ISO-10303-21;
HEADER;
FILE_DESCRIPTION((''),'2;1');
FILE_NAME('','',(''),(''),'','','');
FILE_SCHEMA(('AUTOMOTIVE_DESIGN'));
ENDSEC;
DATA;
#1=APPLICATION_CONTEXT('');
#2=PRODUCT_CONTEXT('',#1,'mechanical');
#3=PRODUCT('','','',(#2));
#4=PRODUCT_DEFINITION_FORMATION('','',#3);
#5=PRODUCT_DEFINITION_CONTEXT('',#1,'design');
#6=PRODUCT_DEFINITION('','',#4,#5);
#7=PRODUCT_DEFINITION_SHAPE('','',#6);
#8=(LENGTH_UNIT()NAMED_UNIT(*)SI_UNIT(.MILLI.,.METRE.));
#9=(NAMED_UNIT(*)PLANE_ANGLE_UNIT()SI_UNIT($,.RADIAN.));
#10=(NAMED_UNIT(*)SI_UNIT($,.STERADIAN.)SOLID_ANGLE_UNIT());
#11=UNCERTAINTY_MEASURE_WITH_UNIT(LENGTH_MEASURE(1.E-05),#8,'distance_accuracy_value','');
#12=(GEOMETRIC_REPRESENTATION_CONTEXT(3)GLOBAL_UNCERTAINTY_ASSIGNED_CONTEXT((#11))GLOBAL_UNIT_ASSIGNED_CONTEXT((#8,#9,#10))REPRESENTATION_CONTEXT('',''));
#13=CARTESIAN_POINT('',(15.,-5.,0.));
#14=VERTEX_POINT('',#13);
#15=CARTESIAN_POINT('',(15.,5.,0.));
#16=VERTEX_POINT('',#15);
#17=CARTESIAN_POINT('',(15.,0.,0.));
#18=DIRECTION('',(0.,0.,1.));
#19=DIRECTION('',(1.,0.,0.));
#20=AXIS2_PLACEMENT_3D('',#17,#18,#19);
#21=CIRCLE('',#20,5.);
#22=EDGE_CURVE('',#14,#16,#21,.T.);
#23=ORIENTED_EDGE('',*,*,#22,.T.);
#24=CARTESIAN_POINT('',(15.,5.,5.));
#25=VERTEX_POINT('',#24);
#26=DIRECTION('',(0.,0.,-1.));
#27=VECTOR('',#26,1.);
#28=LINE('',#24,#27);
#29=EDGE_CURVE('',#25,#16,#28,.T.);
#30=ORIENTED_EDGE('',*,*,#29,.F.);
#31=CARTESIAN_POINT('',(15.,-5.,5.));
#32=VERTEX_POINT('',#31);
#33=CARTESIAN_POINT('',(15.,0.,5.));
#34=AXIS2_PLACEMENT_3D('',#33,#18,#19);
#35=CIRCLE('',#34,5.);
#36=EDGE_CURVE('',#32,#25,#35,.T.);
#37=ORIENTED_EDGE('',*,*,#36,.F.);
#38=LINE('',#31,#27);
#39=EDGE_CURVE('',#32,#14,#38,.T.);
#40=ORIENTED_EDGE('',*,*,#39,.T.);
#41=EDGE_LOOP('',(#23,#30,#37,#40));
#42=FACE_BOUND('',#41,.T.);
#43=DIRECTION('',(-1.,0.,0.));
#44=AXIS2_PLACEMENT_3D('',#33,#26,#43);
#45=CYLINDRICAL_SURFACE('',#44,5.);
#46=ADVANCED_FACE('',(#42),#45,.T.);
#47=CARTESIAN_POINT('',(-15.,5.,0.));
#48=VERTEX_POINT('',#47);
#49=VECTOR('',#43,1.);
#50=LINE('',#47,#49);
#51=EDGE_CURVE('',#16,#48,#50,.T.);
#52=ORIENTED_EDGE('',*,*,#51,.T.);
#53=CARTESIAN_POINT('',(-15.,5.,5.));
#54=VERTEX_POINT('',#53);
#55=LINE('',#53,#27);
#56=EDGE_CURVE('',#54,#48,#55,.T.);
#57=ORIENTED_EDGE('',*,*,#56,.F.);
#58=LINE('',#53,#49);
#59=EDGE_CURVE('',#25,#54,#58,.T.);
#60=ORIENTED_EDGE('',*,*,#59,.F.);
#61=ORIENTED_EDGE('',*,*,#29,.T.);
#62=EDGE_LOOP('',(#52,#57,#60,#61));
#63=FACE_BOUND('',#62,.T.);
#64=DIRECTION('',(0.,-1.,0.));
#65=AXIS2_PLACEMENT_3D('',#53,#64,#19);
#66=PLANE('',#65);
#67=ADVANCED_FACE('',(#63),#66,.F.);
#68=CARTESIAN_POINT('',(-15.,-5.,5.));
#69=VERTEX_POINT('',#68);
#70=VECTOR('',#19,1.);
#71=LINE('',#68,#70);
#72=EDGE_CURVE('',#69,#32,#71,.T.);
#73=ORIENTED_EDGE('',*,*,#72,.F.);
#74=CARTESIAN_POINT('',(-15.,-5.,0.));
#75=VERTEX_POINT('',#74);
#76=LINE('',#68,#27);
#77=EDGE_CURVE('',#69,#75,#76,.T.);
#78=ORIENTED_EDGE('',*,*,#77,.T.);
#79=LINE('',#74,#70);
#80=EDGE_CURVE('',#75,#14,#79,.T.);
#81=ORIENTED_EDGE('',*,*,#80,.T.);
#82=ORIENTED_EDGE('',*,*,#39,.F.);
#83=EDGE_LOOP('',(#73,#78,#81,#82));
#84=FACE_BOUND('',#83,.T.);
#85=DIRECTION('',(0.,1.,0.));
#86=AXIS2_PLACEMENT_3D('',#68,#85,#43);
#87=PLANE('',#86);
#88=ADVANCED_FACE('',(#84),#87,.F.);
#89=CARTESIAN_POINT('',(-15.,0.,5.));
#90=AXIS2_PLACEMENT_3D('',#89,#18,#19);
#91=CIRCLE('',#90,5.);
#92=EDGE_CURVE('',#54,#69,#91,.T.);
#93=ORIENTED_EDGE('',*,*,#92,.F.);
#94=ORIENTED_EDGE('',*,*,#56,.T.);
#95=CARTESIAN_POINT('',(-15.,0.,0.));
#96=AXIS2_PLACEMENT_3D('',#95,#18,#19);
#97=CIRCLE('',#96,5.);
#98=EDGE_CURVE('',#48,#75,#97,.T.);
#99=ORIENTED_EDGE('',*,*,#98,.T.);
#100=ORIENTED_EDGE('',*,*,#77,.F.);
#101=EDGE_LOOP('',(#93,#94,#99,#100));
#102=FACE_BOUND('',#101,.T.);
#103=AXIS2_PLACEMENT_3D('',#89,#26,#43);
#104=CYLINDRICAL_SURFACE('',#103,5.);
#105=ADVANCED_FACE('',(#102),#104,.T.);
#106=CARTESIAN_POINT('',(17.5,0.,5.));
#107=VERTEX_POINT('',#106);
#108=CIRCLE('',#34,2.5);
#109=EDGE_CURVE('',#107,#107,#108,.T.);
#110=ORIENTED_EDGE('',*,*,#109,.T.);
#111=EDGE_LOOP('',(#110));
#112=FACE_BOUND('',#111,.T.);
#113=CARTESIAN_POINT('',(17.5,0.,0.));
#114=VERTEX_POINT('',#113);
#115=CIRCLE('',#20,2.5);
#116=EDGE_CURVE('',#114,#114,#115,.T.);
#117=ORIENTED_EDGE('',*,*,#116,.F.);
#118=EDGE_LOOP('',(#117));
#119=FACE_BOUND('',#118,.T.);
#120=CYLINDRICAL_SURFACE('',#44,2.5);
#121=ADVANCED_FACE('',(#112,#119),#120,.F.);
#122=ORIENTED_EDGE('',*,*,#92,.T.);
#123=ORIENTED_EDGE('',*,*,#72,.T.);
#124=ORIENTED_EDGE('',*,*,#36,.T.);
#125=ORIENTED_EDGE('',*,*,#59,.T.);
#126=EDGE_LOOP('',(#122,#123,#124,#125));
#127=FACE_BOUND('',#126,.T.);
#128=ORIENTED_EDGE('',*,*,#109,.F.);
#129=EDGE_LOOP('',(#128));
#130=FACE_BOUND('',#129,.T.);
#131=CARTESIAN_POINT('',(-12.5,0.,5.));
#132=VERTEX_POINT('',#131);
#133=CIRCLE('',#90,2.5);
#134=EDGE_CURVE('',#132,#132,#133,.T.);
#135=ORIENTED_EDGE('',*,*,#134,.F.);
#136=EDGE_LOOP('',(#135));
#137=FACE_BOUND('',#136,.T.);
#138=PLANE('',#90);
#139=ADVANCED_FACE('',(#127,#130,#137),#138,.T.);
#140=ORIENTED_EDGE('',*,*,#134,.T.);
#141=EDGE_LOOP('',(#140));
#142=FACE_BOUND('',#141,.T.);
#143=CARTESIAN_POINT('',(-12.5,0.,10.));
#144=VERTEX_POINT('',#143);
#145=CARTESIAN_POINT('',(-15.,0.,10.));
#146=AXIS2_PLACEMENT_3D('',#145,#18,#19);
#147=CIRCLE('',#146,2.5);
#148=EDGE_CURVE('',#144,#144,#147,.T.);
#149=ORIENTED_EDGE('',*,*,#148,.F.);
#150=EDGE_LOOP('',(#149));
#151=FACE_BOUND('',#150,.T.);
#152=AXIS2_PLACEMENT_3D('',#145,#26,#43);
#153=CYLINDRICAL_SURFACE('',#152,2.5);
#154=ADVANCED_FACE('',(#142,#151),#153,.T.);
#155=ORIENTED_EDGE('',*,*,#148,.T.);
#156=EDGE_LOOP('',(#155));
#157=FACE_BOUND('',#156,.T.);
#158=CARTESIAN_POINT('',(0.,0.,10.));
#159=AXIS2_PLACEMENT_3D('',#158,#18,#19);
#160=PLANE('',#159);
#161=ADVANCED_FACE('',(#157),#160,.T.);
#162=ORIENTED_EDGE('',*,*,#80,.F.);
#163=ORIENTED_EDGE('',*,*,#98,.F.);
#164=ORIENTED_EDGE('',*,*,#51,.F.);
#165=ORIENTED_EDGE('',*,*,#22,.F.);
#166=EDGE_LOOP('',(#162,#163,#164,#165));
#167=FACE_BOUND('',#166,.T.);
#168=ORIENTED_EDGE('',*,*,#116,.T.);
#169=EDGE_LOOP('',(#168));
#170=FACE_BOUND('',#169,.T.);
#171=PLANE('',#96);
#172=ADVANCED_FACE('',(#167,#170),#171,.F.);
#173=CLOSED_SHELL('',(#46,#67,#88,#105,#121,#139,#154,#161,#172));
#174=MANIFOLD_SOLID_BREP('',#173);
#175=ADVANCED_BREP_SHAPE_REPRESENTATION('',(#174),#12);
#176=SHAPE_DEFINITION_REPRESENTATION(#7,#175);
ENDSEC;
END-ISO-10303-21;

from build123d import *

# Parameters (mm, degrees)
SKETCH1_R           = 2.5
BOSS_EXTRUDE1_DEPTH = 5
SKETCH1_2_R         = 2.5
BOSS_EXTRUDE2_DEPTH = 10


with BuildPart() as part:
    # Sketch1 → Boss-Extrude1 (new body)
    with BuildSketch(Plane.XY):
        with BuildLine():
            Line((-15, 5), (15, 5))
            ThreePointArc((15, 5), (20, 0), (15, -5))
            Line((15, -5), (-15, -5))
            ThreePointArc((-15, -5), (-20, 0), (-15, 5))
        make_face()
        with Locations((-15, 0)):
            Circle(SKETCH1_R, mode=Mode.SUBTRACT)
        with Locations((15, 0)):
            Circle(SKETCH1_R, mode=Mode.SUBTRACT)
    extrude(amount=BOSS_EXTRUDE1_DEPTH)

    # Sketch1<2> → Boss-Extrude2 (add)
    with BuildSketch(Plane.XY):
        with Locations((-15, 0)):
            Circle(SKETCH1_2_R)
    extrude(amount=BOSS_EXTRUDE2_DEPTH)


solid = part.part
